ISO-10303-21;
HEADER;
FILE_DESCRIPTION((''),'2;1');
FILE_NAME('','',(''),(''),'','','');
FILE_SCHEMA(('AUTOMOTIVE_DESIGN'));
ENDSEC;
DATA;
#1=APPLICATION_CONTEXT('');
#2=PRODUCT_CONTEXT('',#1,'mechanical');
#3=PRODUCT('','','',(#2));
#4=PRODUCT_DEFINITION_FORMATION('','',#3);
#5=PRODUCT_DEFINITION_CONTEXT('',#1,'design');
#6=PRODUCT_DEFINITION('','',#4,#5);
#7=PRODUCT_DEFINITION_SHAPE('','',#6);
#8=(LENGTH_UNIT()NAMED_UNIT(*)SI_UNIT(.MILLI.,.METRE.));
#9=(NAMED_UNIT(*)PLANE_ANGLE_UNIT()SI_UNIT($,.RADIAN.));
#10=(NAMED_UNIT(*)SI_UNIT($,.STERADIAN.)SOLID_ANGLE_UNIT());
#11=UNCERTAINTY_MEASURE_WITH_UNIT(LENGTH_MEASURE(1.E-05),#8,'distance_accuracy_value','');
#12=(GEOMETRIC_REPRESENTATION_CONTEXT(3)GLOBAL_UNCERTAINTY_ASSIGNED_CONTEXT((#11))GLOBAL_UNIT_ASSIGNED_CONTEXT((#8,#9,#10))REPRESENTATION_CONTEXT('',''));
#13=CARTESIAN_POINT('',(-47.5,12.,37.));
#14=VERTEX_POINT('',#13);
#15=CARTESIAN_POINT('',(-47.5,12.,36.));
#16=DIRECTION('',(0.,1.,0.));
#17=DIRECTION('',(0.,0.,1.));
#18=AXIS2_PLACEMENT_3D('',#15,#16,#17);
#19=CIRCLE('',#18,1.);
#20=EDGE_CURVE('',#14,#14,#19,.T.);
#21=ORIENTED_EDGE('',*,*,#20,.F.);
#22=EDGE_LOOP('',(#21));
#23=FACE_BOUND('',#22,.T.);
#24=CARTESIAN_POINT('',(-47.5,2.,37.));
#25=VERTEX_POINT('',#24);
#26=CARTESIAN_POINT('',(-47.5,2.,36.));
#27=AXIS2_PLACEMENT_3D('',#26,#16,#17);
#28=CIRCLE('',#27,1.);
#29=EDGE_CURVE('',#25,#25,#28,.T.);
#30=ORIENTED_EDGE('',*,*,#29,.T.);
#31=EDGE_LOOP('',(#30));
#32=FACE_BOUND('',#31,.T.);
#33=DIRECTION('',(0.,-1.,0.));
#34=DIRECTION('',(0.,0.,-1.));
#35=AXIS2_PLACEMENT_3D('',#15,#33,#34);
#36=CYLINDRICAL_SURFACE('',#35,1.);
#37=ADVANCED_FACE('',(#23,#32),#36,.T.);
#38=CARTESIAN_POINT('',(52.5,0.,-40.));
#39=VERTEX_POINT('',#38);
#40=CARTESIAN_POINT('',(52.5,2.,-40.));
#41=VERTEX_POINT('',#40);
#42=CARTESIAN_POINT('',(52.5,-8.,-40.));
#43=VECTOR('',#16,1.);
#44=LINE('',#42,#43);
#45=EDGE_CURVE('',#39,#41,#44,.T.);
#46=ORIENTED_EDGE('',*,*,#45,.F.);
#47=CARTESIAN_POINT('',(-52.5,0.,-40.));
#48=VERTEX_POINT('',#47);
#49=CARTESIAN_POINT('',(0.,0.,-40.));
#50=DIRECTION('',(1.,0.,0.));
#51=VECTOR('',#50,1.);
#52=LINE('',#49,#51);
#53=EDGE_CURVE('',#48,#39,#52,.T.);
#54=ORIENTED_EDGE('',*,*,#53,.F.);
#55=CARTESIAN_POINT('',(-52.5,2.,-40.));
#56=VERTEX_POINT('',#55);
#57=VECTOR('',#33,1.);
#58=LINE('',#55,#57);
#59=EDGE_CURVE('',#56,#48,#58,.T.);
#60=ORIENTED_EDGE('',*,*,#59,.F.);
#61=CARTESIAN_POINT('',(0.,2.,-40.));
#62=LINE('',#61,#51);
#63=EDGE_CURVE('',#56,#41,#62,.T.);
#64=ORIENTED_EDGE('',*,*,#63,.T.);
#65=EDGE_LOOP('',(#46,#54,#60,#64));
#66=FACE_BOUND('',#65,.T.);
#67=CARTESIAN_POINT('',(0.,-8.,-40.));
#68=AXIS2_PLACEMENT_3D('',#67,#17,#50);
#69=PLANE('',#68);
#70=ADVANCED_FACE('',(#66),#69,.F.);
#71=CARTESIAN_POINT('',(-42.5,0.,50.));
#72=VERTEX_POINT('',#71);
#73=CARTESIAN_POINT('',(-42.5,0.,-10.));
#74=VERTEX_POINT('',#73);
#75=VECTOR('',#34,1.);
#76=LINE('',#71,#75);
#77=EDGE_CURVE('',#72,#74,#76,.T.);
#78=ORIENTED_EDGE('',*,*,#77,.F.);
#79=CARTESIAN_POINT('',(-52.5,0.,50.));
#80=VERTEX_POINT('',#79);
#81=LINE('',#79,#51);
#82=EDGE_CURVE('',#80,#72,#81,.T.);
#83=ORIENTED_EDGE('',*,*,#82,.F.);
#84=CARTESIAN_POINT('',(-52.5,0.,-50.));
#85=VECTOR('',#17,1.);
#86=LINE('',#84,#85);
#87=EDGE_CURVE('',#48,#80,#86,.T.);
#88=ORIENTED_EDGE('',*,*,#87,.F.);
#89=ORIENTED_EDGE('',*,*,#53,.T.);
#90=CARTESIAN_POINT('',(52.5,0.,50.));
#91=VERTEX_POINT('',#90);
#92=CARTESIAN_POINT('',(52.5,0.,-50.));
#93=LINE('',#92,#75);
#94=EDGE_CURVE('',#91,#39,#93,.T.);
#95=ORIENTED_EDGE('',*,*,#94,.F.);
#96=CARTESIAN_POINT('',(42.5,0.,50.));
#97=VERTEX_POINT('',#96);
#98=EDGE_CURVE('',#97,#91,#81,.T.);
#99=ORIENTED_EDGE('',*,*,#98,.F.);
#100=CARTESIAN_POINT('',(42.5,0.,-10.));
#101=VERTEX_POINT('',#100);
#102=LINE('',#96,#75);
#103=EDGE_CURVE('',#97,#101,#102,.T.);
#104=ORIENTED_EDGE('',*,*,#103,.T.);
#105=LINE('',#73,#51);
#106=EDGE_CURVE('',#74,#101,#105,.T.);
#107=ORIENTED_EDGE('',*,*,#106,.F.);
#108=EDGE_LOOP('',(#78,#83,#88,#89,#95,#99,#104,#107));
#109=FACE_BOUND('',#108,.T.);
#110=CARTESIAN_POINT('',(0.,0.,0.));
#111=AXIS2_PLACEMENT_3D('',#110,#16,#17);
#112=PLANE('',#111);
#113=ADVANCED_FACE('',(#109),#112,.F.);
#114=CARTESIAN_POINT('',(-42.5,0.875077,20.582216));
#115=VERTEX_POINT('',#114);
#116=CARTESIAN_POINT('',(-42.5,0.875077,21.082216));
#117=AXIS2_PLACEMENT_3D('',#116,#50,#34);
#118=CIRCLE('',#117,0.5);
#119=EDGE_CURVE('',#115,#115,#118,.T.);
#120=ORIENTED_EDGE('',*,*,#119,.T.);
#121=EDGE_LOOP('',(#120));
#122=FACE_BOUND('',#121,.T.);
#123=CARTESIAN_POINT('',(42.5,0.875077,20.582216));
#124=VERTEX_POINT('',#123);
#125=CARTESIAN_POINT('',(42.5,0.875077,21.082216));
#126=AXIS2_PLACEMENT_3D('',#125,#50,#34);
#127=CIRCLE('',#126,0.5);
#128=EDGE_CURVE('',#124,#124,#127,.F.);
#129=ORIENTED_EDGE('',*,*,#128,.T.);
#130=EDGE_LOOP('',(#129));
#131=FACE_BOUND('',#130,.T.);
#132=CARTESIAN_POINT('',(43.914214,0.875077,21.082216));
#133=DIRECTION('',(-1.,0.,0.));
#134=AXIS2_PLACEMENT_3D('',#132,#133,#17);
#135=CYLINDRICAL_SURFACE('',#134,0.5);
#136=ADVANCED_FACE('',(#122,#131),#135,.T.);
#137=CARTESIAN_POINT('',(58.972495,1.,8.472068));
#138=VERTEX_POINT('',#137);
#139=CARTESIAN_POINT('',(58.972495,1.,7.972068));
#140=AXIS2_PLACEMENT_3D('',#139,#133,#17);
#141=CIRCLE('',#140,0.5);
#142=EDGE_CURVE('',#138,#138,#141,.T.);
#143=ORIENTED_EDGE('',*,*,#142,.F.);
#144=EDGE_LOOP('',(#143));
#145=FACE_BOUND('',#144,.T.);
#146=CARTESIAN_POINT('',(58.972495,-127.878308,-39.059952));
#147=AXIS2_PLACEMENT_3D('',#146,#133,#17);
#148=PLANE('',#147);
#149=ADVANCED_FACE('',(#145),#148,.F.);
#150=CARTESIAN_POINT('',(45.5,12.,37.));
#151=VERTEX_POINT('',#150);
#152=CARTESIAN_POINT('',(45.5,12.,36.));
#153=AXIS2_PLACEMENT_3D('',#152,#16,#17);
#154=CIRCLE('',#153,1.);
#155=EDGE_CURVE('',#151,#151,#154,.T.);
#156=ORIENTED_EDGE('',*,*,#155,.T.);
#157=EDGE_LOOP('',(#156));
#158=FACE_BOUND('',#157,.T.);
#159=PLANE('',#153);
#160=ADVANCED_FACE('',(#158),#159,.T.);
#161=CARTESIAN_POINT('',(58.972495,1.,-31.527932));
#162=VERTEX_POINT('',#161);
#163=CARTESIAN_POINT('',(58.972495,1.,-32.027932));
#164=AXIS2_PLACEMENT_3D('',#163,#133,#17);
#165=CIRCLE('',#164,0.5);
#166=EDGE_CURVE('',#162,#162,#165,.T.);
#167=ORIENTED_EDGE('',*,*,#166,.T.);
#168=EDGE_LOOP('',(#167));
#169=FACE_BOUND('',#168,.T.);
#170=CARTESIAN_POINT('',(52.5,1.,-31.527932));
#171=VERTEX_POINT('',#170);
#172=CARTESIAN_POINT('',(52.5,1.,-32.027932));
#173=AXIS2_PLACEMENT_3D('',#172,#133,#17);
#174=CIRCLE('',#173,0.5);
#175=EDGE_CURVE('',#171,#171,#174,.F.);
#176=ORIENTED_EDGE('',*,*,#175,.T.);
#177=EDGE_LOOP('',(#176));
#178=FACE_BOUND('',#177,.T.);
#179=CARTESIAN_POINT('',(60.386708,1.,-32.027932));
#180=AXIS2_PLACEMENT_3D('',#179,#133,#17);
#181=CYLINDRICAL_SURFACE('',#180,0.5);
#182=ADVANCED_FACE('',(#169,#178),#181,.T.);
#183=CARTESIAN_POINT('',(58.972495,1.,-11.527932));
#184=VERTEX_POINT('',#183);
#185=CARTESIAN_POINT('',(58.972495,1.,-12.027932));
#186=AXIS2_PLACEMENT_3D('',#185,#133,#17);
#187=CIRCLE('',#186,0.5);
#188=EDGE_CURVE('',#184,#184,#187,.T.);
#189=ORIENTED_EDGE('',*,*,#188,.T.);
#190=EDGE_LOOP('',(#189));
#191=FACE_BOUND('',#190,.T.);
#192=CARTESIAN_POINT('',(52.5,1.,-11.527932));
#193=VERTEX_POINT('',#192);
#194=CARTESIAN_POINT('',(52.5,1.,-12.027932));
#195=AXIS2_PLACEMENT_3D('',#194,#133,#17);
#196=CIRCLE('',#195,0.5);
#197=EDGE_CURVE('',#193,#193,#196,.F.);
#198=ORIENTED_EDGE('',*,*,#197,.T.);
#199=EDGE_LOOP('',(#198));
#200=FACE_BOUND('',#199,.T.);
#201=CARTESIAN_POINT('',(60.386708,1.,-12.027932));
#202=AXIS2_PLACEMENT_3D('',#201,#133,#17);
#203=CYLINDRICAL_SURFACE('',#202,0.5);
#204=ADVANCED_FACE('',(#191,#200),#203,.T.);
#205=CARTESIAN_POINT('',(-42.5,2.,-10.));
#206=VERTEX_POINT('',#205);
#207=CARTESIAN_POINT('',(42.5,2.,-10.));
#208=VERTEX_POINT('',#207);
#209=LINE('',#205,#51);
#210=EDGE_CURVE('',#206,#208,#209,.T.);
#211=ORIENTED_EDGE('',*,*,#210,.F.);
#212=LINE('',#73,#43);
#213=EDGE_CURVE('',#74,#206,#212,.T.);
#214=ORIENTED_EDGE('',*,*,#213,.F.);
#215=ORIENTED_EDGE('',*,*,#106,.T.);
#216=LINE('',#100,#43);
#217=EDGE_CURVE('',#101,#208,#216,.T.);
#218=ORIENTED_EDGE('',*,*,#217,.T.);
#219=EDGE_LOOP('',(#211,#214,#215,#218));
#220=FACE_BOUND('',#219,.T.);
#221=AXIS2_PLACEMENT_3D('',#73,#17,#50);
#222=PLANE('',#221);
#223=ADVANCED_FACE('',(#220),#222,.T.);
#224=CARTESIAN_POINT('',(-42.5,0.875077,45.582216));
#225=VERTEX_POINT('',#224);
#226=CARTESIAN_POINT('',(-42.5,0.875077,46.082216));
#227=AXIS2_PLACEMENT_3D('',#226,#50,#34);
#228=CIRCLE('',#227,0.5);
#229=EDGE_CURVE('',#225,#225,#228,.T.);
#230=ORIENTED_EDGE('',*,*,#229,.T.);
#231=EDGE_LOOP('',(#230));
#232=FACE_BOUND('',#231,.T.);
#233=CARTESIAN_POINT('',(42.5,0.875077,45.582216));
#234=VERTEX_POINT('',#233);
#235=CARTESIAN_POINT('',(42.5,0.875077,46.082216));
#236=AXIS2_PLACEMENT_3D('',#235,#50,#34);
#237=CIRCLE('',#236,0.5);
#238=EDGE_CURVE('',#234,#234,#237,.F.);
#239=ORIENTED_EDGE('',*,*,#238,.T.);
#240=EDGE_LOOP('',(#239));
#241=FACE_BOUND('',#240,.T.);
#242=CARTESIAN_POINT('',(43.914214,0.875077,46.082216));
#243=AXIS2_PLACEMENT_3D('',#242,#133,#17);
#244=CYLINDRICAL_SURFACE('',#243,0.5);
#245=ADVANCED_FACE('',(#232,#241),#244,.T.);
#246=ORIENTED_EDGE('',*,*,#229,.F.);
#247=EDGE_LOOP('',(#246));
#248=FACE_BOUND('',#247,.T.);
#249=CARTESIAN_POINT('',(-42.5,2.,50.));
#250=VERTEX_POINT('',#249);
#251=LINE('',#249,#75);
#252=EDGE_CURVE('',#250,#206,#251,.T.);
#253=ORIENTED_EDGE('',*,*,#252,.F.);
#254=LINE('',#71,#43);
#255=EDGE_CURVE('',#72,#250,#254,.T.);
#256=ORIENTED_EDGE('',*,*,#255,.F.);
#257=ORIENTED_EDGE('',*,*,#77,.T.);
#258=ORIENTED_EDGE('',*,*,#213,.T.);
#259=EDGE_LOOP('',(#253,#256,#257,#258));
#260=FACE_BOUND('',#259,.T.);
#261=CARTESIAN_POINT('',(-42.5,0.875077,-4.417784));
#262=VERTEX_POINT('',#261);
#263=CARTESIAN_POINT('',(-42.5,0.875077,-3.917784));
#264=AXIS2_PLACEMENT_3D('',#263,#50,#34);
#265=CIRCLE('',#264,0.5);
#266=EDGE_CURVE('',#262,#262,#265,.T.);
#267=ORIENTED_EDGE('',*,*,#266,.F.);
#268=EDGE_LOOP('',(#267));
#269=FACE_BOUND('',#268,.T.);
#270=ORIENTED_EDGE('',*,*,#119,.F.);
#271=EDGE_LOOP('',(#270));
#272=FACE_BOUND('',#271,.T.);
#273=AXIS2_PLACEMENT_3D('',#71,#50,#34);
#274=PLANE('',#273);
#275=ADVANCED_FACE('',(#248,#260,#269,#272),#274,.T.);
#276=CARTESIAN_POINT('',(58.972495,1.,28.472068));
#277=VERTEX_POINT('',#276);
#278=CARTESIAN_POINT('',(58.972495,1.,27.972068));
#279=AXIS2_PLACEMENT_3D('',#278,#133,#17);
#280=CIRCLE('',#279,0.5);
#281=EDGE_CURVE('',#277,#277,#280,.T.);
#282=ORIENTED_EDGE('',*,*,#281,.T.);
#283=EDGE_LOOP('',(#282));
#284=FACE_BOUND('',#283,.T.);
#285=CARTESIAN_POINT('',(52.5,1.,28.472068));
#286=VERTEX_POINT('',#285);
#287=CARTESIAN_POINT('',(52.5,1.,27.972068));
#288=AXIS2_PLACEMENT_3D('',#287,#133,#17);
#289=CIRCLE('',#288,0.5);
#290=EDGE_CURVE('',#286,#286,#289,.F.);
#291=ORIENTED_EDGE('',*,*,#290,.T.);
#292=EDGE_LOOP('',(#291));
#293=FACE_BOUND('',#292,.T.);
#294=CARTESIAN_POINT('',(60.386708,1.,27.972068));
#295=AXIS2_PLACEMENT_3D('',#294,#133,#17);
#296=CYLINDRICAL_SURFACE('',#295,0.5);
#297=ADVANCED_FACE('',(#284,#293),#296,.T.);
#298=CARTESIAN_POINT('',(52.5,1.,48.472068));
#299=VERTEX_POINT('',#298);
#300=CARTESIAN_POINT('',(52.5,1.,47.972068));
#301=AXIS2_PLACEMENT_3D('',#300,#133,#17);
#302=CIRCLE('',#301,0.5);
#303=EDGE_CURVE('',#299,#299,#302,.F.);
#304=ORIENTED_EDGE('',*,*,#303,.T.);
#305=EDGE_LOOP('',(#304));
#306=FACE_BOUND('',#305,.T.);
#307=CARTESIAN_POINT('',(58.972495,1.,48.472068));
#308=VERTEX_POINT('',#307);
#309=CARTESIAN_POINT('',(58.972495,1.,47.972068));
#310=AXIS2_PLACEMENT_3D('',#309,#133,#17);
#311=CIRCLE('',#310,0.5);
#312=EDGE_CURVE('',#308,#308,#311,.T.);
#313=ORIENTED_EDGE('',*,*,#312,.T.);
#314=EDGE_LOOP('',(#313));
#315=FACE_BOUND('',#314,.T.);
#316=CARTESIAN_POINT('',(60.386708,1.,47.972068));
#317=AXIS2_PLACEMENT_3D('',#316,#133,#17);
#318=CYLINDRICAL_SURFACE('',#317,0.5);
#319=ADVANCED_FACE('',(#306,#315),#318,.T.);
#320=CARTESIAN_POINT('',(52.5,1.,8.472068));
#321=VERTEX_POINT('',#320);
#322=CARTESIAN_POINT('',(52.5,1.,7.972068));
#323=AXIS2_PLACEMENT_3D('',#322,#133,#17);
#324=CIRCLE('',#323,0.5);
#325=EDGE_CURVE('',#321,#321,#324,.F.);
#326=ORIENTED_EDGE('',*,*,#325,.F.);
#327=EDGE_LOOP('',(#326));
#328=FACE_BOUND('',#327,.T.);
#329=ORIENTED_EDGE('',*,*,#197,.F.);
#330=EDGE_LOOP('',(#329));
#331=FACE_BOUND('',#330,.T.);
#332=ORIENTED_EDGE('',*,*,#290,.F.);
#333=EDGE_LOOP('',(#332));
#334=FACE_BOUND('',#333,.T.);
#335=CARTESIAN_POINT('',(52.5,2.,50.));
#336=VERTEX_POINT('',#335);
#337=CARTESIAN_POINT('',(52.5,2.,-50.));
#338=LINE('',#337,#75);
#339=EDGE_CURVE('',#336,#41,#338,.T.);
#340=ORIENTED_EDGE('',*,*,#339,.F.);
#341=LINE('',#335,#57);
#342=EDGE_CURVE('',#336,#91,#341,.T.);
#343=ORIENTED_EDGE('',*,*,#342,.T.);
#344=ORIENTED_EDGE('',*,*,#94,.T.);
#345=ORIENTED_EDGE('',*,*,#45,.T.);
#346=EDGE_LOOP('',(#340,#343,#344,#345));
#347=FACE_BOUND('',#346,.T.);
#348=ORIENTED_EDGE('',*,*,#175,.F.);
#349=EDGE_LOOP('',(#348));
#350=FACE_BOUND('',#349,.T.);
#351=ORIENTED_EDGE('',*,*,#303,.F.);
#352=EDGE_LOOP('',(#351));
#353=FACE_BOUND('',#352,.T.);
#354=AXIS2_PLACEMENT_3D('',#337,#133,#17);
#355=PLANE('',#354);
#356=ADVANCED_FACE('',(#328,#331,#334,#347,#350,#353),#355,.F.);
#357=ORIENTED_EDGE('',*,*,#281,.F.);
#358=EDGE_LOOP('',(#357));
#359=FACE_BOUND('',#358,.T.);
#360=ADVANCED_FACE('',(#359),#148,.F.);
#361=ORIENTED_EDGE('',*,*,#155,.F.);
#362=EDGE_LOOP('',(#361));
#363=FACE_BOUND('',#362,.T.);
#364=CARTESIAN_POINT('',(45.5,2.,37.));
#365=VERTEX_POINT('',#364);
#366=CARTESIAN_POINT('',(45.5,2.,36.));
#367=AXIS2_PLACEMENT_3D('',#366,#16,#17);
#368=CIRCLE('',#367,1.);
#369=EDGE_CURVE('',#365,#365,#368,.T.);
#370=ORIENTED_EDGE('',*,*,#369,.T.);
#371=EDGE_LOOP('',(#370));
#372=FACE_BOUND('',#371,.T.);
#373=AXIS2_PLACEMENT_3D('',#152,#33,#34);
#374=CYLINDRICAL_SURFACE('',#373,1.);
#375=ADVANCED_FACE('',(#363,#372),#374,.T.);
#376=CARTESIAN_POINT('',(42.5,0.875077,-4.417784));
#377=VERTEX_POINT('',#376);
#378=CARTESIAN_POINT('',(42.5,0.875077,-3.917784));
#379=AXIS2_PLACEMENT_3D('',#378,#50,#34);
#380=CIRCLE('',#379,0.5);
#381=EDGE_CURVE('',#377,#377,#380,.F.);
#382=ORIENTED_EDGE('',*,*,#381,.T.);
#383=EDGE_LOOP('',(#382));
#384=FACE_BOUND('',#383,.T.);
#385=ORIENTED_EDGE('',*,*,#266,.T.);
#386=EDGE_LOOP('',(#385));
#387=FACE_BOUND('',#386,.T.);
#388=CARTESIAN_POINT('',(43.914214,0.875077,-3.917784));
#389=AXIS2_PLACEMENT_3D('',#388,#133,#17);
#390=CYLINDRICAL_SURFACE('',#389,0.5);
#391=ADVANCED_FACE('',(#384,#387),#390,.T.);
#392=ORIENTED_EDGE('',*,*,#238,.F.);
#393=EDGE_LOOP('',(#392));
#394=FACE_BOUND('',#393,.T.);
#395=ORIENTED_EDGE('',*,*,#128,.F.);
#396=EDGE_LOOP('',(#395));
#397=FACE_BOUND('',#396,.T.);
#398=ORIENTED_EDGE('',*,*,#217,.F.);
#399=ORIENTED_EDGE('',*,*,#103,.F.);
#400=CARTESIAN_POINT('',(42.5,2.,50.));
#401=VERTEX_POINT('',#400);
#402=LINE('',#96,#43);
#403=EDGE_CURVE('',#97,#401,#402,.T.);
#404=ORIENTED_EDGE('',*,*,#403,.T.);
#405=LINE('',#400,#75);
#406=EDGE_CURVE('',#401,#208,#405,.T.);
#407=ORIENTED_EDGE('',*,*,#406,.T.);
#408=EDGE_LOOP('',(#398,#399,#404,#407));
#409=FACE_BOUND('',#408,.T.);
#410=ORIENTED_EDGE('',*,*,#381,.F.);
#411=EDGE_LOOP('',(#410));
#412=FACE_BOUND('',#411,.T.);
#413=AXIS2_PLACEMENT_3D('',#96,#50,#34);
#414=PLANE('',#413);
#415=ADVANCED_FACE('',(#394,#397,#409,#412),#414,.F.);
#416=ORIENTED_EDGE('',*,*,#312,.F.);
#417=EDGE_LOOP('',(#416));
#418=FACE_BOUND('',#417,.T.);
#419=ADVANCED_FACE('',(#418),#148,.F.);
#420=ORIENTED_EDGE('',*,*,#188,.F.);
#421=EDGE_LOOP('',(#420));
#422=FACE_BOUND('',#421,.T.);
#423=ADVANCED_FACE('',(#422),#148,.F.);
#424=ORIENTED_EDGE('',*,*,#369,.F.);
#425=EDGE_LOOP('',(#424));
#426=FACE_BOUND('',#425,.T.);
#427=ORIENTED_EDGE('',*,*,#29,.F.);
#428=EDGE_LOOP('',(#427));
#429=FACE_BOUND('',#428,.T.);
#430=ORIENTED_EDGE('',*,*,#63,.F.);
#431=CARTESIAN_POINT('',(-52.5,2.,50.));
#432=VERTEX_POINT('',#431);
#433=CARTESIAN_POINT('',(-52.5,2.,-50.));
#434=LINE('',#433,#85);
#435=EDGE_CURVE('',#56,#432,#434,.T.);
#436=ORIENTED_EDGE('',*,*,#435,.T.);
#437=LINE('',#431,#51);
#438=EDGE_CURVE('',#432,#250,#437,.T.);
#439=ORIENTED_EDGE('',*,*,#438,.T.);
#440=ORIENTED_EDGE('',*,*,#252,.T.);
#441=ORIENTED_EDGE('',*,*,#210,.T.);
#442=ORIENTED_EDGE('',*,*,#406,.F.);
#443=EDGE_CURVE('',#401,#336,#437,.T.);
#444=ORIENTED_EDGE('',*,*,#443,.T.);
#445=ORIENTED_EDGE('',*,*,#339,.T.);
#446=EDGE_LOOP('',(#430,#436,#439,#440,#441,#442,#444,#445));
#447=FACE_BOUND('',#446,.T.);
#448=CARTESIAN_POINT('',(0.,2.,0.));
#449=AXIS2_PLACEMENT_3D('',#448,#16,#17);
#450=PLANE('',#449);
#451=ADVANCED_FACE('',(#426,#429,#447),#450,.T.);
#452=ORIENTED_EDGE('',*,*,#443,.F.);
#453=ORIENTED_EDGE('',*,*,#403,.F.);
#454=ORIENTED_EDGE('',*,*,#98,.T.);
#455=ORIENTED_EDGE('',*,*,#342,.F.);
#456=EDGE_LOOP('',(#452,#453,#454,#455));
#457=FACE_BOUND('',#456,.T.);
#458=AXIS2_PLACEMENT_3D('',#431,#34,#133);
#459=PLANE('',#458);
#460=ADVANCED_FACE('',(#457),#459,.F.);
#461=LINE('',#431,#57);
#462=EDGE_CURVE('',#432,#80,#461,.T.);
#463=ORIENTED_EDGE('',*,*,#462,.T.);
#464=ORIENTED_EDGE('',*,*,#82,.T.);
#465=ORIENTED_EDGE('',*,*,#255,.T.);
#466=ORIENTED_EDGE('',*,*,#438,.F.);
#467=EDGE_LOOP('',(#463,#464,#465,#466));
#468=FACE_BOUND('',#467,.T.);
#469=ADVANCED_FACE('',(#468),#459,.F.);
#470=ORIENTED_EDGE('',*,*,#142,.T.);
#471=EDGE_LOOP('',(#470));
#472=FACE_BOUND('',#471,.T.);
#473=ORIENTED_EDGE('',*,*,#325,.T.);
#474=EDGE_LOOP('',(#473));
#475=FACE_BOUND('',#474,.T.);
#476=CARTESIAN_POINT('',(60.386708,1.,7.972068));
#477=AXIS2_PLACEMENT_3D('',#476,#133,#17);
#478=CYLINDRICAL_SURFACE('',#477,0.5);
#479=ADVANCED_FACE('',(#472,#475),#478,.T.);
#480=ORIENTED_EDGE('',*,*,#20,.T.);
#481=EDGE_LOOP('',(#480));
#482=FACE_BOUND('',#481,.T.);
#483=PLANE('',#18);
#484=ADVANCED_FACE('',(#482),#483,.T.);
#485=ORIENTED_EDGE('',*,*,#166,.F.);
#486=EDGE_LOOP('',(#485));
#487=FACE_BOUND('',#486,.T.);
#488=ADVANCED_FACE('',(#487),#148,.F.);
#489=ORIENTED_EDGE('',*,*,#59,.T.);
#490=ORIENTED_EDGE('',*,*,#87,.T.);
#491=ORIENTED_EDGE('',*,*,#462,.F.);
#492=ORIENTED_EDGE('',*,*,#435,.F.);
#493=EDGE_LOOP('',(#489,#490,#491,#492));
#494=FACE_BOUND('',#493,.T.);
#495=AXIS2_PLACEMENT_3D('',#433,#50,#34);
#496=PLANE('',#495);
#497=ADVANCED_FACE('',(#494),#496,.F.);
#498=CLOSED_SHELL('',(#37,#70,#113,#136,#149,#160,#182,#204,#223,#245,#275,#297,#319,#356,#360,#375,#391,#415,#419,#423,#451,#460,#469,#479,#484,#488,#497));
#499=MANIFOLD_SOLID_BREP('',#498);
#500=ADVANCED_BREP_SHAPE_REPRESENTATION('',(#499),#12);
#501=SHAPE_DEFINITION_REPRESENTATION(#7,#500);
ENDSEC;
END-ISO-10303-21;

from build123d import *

# Parameters (mm, degrees)
SKETCH_1_W          = 105
SKETCH_1_H          = 100
EXTRUDE_1_DEPTH     = 2
SKETCH_2_W          = 85
SKETCH_2_H          = 60
CUT_EXTRUDE_1_DEPTH = 2
SKETCH_4_R          = 1
EXTRUDE_2_DEPTH     = 10
SKETCH_5_W          = 105
SKETCH_5_H          = 10
CUT_EXTRUDE_2_DEPTH = 10
SKETCH_7_R          = 0.5
EXTRUDE_3_DEPTH     = 6.4724949
SKETCH_8_R          = 0.5
EXTRUDE_4_DEPTH     = 85


with BuildPart() as part:
    # 스케치1 → 보스-돌출1 (new body)
    with BuildSketch(Plane(origin=(0, 0, 0), x_dir=(1, 0, 0), z_dir=(0, 1, 0))):
        Rectangle(SKETCH_1_W, SKETCH_1_H)
    extrude(amount=EXTRUDE_1_DEPTH)

    # 스케치2 → 컷-돌출1 (cut)
    with BuildSketch(Plane(origin=(0, 2, 0), x_dir=(1, 0, 0), z_dir=(0, 1, 0))):
        with Locations((0, -20)):
            Rectangle(SKETCH_2_W, SKETCH_2_H)
    extrude(amount=-CUT_EXTRUDE_1_DEPTH, mode=Mode.SUBTRACT)

    # 스케치4 → 보스-돌출2 (add)
    with BuildSketch(Plane(origin=(0, 2, 0), x_dir=(1, 0, 0), z_dir=(0, 1, 0))):
        with Locations(Location((45.5, -36, 0), (0, 0, 270))):
            Circle(SKETCH_4_R)
        with Locations(Location((-47.5, -36, 0), (0, 0, 270))):
            Circle(SKETCH_4_R)
    extrude(amount=EXTRUDE_2_DEPTH)

    # 스케치5 → 컷-돌출2 (cut)
    with BuildSketch(Plane(origin=(0, 2, 0), x_dir=(1, 0, 0), z_dir=(0, 1, 0))):
        with Locations((0, 45)):
            Rectangle(SKETCH_5_W, SKETCH_5_H)
    extrude(amount=-CUT_EXTRUDE_2_DEPTH, mode=Mode.SUBTRACT)

    # 스케치7 → 보스-돌출3 (add)
    with BuildSketch(Plane(origin=(52.5, 0, 0), x_dir=(0, 0, -1), z_dir=(1, 0, 0))):
        with Locations(Location((-47.972067637, 1, 0), (0, 0, 180))):
            Circle(SKETCH_7_R)
        with Locations(Location((-27.972067637, 1, 0), (0, 0, 180))):
            Circle(SKETCH_7_R)
        with Locations(Location((-7.972067637, 1, 0), (0, 0, 180))):
            Circle(SKETCH_7_R)
        with Locations(Location((12.027932363, 1, 0), (0, 0, 180))):
            Circle(SKETCH_7_R)
        with Locations(Location((32.027932363, 1, 0), (0, 0, 180))):
            Circle(SKETCH_7_R)
    extrude(amount=EXTRUDE_3_DEPTH)

    # 스케치8 → 보스-돌출4 (add)
    with BuildSketch(Plane(origin=(-42.5, 0, 0), x_dir=(0, 0, -1), z_dir=(1, 0, 0))):
        with Locations((-46.082216043, 0.875077013)):
            Circle(SKETCH_8_R)
        with Locations((-21.082216043, 0.875077013)):
            Circle(SKETCH_8_R)
        with Locations((3.917783957, 0.875077013)):
            Circle(SKETCH_8_R)
    extrude(amount=EXTRUDE_4_DEPTH)


solid = part.part
